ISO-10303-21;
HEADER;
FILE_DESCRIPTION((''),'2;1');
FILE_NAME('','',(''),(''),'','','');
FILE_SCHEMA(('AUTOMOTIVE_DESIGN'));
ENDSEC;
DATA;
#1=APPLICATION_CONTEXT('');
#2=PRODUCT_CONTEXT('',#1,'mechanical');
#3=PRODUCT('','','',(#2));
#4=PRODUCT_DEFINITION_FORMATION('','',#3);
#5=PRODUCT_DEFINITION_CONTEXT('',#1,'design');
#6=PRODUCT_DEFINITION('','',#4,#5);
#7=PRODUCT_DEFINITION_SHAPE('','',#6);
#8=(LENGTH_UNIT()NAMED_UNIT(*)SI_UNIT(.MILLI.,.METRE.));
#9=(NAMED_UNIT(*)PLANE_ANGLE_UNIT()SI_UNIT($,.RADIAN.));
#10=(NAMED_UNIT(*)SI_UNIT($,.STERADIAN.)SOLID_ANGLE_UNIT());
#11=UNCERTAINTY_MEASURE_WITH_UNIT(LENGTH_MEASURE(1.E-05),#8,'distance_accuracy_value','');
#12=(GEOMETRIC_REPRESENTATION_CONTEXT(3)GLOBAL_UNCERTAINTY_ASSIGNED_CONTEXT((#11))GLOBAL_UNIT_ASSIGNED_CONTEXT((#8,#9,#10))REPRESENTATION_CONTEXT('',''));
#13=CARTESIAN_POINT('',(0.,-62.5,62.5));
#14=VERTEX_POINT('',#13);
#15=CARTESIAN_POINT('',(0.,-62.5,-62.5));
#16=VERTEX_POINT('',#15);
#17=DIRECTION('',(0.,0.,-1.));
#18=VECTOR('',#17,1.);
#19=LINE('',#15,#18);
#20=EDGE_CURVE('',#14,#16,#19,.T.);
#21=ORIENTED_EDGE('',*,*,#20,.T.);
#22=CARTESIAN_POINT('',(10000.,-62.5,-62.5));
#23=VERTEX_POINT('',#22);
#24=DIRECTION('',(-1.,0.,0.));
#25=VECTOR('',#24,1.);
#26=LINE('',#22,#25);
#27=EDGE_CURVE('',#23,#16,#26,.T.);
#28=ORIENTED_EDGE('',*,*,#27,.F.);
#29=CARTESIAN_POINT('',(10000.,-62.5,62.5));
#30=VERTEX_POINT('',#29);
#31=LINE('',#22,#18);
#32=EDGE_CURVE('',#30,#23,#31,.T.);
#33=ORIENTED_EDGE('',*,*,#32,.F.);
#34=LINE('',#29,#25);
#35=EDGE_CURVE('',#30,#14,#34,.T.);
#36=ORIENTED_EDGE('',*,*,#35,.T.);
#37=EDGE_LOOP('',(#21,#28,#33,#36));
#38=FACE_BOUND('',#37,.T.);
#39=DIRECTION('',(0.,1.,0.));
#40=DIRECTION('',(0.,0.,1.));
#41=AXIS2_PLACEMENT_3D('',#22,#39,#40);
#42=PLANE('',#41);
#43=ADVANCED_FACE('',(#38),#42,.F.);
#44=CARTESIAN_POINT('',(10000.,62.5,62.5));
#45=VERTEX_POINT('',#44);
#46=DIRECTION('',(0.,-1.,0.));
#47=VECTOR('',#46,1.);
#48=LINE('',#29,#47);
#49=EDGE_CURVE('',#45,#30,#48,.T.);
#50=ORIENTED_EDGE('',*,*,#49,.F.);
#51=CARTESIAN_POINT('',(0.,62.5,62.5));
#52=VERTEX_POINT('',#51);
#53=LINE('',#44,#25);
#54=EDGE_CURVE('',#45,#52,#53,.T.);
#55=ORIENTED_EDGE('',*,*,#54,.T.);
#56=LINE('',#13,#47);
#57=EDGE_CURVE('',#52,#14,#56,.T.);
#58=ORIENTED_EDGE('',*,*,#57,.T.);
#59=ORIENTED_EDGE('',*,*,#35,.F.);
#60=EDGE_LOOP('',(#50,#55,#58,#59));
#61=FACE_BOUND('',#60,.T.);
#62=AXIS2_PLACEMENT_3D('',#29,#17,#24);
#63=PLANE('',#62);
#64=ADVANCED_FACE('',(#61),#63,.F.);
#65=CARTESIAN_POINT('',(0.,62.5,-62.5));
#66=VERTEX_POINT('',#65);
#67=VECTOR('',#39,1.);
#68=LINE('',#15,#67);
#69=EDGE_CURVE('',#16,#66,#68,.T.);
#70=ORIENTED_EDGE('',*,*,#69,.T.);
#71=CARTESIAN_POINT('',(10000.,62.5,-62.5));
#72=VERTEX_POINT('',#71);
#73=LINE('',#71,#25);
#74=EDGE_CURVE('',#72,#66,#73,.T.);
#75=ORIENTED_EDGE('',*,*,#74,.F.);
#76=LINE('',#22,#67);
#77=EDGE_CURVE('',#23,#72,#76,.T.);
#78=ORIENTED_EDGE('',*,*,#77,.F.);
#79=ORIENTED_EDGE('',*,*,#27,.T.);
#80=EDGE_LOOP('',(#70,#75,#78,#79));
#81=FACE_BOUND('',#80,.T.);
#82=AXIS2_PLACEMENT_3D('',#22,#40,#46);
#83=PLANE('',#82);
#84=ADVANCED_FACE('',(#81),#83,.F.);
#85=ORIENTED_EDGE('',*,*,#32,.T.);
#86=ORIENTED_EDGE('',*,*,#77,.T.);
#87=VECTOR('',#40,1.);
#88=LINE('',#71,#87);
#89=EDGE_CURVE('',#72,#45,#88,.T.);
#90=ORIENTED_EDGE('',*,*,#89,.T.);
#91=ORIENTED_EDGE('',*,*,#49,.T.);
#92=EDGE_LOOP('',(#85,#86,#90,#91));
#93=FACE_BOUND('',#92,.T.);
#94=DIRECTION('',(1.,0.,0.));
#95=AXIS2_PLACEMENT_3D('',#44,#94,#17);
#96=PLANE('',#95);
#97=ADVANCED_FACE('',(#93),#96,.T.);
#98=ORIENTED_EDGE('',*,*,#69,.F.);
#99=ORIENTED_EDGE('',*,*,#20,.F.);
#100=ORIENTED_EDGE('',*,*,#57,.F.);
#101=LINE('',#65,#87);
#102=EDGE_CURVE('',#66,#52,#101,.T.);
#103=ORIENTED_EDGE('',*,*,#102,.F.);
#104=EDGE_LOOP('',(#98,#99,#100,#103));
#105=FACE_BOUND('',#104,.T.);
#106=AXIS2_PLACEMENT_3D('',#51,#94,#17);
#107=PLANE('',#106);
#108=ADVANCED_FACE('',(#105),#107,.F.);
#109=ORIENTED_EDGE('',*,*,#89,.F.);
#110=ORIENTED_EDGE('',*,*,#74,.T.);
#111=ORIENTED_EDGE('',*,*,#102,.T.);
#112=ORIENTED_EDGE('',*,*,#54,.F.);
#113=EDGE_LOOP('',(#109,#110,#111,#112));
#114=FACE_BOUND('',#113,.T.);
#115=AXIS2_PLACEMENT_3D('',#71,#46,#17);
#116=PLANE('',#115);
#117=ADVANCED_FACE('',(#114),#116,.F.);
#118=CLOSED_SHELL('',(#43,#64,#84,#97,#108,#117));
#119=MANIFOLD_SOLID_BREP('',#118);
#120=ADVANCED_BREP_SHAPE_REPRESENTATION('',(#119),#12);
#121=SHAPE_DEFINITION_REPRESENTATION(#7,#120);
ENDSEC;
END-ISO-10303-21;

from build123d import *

# Parameters (mm, degrees)
SKETCH1_W      = 125
SKETCH1_H      = 125
EXTRUDE1_DEPTH = 10000


with BuildPart() as part:
    # Sketch1 → Extrude1 (new body)
    with BuildSketch(Plane(origin=(0, 0, 0), x_dir=(0, 0, -1), z_dir=(1, 0, 0))):
        Rectangle(SKETCH1_W, SKETCH1_H)
    extrude(amount=EXTRUDE1_DEPTH)


solid = part.part
